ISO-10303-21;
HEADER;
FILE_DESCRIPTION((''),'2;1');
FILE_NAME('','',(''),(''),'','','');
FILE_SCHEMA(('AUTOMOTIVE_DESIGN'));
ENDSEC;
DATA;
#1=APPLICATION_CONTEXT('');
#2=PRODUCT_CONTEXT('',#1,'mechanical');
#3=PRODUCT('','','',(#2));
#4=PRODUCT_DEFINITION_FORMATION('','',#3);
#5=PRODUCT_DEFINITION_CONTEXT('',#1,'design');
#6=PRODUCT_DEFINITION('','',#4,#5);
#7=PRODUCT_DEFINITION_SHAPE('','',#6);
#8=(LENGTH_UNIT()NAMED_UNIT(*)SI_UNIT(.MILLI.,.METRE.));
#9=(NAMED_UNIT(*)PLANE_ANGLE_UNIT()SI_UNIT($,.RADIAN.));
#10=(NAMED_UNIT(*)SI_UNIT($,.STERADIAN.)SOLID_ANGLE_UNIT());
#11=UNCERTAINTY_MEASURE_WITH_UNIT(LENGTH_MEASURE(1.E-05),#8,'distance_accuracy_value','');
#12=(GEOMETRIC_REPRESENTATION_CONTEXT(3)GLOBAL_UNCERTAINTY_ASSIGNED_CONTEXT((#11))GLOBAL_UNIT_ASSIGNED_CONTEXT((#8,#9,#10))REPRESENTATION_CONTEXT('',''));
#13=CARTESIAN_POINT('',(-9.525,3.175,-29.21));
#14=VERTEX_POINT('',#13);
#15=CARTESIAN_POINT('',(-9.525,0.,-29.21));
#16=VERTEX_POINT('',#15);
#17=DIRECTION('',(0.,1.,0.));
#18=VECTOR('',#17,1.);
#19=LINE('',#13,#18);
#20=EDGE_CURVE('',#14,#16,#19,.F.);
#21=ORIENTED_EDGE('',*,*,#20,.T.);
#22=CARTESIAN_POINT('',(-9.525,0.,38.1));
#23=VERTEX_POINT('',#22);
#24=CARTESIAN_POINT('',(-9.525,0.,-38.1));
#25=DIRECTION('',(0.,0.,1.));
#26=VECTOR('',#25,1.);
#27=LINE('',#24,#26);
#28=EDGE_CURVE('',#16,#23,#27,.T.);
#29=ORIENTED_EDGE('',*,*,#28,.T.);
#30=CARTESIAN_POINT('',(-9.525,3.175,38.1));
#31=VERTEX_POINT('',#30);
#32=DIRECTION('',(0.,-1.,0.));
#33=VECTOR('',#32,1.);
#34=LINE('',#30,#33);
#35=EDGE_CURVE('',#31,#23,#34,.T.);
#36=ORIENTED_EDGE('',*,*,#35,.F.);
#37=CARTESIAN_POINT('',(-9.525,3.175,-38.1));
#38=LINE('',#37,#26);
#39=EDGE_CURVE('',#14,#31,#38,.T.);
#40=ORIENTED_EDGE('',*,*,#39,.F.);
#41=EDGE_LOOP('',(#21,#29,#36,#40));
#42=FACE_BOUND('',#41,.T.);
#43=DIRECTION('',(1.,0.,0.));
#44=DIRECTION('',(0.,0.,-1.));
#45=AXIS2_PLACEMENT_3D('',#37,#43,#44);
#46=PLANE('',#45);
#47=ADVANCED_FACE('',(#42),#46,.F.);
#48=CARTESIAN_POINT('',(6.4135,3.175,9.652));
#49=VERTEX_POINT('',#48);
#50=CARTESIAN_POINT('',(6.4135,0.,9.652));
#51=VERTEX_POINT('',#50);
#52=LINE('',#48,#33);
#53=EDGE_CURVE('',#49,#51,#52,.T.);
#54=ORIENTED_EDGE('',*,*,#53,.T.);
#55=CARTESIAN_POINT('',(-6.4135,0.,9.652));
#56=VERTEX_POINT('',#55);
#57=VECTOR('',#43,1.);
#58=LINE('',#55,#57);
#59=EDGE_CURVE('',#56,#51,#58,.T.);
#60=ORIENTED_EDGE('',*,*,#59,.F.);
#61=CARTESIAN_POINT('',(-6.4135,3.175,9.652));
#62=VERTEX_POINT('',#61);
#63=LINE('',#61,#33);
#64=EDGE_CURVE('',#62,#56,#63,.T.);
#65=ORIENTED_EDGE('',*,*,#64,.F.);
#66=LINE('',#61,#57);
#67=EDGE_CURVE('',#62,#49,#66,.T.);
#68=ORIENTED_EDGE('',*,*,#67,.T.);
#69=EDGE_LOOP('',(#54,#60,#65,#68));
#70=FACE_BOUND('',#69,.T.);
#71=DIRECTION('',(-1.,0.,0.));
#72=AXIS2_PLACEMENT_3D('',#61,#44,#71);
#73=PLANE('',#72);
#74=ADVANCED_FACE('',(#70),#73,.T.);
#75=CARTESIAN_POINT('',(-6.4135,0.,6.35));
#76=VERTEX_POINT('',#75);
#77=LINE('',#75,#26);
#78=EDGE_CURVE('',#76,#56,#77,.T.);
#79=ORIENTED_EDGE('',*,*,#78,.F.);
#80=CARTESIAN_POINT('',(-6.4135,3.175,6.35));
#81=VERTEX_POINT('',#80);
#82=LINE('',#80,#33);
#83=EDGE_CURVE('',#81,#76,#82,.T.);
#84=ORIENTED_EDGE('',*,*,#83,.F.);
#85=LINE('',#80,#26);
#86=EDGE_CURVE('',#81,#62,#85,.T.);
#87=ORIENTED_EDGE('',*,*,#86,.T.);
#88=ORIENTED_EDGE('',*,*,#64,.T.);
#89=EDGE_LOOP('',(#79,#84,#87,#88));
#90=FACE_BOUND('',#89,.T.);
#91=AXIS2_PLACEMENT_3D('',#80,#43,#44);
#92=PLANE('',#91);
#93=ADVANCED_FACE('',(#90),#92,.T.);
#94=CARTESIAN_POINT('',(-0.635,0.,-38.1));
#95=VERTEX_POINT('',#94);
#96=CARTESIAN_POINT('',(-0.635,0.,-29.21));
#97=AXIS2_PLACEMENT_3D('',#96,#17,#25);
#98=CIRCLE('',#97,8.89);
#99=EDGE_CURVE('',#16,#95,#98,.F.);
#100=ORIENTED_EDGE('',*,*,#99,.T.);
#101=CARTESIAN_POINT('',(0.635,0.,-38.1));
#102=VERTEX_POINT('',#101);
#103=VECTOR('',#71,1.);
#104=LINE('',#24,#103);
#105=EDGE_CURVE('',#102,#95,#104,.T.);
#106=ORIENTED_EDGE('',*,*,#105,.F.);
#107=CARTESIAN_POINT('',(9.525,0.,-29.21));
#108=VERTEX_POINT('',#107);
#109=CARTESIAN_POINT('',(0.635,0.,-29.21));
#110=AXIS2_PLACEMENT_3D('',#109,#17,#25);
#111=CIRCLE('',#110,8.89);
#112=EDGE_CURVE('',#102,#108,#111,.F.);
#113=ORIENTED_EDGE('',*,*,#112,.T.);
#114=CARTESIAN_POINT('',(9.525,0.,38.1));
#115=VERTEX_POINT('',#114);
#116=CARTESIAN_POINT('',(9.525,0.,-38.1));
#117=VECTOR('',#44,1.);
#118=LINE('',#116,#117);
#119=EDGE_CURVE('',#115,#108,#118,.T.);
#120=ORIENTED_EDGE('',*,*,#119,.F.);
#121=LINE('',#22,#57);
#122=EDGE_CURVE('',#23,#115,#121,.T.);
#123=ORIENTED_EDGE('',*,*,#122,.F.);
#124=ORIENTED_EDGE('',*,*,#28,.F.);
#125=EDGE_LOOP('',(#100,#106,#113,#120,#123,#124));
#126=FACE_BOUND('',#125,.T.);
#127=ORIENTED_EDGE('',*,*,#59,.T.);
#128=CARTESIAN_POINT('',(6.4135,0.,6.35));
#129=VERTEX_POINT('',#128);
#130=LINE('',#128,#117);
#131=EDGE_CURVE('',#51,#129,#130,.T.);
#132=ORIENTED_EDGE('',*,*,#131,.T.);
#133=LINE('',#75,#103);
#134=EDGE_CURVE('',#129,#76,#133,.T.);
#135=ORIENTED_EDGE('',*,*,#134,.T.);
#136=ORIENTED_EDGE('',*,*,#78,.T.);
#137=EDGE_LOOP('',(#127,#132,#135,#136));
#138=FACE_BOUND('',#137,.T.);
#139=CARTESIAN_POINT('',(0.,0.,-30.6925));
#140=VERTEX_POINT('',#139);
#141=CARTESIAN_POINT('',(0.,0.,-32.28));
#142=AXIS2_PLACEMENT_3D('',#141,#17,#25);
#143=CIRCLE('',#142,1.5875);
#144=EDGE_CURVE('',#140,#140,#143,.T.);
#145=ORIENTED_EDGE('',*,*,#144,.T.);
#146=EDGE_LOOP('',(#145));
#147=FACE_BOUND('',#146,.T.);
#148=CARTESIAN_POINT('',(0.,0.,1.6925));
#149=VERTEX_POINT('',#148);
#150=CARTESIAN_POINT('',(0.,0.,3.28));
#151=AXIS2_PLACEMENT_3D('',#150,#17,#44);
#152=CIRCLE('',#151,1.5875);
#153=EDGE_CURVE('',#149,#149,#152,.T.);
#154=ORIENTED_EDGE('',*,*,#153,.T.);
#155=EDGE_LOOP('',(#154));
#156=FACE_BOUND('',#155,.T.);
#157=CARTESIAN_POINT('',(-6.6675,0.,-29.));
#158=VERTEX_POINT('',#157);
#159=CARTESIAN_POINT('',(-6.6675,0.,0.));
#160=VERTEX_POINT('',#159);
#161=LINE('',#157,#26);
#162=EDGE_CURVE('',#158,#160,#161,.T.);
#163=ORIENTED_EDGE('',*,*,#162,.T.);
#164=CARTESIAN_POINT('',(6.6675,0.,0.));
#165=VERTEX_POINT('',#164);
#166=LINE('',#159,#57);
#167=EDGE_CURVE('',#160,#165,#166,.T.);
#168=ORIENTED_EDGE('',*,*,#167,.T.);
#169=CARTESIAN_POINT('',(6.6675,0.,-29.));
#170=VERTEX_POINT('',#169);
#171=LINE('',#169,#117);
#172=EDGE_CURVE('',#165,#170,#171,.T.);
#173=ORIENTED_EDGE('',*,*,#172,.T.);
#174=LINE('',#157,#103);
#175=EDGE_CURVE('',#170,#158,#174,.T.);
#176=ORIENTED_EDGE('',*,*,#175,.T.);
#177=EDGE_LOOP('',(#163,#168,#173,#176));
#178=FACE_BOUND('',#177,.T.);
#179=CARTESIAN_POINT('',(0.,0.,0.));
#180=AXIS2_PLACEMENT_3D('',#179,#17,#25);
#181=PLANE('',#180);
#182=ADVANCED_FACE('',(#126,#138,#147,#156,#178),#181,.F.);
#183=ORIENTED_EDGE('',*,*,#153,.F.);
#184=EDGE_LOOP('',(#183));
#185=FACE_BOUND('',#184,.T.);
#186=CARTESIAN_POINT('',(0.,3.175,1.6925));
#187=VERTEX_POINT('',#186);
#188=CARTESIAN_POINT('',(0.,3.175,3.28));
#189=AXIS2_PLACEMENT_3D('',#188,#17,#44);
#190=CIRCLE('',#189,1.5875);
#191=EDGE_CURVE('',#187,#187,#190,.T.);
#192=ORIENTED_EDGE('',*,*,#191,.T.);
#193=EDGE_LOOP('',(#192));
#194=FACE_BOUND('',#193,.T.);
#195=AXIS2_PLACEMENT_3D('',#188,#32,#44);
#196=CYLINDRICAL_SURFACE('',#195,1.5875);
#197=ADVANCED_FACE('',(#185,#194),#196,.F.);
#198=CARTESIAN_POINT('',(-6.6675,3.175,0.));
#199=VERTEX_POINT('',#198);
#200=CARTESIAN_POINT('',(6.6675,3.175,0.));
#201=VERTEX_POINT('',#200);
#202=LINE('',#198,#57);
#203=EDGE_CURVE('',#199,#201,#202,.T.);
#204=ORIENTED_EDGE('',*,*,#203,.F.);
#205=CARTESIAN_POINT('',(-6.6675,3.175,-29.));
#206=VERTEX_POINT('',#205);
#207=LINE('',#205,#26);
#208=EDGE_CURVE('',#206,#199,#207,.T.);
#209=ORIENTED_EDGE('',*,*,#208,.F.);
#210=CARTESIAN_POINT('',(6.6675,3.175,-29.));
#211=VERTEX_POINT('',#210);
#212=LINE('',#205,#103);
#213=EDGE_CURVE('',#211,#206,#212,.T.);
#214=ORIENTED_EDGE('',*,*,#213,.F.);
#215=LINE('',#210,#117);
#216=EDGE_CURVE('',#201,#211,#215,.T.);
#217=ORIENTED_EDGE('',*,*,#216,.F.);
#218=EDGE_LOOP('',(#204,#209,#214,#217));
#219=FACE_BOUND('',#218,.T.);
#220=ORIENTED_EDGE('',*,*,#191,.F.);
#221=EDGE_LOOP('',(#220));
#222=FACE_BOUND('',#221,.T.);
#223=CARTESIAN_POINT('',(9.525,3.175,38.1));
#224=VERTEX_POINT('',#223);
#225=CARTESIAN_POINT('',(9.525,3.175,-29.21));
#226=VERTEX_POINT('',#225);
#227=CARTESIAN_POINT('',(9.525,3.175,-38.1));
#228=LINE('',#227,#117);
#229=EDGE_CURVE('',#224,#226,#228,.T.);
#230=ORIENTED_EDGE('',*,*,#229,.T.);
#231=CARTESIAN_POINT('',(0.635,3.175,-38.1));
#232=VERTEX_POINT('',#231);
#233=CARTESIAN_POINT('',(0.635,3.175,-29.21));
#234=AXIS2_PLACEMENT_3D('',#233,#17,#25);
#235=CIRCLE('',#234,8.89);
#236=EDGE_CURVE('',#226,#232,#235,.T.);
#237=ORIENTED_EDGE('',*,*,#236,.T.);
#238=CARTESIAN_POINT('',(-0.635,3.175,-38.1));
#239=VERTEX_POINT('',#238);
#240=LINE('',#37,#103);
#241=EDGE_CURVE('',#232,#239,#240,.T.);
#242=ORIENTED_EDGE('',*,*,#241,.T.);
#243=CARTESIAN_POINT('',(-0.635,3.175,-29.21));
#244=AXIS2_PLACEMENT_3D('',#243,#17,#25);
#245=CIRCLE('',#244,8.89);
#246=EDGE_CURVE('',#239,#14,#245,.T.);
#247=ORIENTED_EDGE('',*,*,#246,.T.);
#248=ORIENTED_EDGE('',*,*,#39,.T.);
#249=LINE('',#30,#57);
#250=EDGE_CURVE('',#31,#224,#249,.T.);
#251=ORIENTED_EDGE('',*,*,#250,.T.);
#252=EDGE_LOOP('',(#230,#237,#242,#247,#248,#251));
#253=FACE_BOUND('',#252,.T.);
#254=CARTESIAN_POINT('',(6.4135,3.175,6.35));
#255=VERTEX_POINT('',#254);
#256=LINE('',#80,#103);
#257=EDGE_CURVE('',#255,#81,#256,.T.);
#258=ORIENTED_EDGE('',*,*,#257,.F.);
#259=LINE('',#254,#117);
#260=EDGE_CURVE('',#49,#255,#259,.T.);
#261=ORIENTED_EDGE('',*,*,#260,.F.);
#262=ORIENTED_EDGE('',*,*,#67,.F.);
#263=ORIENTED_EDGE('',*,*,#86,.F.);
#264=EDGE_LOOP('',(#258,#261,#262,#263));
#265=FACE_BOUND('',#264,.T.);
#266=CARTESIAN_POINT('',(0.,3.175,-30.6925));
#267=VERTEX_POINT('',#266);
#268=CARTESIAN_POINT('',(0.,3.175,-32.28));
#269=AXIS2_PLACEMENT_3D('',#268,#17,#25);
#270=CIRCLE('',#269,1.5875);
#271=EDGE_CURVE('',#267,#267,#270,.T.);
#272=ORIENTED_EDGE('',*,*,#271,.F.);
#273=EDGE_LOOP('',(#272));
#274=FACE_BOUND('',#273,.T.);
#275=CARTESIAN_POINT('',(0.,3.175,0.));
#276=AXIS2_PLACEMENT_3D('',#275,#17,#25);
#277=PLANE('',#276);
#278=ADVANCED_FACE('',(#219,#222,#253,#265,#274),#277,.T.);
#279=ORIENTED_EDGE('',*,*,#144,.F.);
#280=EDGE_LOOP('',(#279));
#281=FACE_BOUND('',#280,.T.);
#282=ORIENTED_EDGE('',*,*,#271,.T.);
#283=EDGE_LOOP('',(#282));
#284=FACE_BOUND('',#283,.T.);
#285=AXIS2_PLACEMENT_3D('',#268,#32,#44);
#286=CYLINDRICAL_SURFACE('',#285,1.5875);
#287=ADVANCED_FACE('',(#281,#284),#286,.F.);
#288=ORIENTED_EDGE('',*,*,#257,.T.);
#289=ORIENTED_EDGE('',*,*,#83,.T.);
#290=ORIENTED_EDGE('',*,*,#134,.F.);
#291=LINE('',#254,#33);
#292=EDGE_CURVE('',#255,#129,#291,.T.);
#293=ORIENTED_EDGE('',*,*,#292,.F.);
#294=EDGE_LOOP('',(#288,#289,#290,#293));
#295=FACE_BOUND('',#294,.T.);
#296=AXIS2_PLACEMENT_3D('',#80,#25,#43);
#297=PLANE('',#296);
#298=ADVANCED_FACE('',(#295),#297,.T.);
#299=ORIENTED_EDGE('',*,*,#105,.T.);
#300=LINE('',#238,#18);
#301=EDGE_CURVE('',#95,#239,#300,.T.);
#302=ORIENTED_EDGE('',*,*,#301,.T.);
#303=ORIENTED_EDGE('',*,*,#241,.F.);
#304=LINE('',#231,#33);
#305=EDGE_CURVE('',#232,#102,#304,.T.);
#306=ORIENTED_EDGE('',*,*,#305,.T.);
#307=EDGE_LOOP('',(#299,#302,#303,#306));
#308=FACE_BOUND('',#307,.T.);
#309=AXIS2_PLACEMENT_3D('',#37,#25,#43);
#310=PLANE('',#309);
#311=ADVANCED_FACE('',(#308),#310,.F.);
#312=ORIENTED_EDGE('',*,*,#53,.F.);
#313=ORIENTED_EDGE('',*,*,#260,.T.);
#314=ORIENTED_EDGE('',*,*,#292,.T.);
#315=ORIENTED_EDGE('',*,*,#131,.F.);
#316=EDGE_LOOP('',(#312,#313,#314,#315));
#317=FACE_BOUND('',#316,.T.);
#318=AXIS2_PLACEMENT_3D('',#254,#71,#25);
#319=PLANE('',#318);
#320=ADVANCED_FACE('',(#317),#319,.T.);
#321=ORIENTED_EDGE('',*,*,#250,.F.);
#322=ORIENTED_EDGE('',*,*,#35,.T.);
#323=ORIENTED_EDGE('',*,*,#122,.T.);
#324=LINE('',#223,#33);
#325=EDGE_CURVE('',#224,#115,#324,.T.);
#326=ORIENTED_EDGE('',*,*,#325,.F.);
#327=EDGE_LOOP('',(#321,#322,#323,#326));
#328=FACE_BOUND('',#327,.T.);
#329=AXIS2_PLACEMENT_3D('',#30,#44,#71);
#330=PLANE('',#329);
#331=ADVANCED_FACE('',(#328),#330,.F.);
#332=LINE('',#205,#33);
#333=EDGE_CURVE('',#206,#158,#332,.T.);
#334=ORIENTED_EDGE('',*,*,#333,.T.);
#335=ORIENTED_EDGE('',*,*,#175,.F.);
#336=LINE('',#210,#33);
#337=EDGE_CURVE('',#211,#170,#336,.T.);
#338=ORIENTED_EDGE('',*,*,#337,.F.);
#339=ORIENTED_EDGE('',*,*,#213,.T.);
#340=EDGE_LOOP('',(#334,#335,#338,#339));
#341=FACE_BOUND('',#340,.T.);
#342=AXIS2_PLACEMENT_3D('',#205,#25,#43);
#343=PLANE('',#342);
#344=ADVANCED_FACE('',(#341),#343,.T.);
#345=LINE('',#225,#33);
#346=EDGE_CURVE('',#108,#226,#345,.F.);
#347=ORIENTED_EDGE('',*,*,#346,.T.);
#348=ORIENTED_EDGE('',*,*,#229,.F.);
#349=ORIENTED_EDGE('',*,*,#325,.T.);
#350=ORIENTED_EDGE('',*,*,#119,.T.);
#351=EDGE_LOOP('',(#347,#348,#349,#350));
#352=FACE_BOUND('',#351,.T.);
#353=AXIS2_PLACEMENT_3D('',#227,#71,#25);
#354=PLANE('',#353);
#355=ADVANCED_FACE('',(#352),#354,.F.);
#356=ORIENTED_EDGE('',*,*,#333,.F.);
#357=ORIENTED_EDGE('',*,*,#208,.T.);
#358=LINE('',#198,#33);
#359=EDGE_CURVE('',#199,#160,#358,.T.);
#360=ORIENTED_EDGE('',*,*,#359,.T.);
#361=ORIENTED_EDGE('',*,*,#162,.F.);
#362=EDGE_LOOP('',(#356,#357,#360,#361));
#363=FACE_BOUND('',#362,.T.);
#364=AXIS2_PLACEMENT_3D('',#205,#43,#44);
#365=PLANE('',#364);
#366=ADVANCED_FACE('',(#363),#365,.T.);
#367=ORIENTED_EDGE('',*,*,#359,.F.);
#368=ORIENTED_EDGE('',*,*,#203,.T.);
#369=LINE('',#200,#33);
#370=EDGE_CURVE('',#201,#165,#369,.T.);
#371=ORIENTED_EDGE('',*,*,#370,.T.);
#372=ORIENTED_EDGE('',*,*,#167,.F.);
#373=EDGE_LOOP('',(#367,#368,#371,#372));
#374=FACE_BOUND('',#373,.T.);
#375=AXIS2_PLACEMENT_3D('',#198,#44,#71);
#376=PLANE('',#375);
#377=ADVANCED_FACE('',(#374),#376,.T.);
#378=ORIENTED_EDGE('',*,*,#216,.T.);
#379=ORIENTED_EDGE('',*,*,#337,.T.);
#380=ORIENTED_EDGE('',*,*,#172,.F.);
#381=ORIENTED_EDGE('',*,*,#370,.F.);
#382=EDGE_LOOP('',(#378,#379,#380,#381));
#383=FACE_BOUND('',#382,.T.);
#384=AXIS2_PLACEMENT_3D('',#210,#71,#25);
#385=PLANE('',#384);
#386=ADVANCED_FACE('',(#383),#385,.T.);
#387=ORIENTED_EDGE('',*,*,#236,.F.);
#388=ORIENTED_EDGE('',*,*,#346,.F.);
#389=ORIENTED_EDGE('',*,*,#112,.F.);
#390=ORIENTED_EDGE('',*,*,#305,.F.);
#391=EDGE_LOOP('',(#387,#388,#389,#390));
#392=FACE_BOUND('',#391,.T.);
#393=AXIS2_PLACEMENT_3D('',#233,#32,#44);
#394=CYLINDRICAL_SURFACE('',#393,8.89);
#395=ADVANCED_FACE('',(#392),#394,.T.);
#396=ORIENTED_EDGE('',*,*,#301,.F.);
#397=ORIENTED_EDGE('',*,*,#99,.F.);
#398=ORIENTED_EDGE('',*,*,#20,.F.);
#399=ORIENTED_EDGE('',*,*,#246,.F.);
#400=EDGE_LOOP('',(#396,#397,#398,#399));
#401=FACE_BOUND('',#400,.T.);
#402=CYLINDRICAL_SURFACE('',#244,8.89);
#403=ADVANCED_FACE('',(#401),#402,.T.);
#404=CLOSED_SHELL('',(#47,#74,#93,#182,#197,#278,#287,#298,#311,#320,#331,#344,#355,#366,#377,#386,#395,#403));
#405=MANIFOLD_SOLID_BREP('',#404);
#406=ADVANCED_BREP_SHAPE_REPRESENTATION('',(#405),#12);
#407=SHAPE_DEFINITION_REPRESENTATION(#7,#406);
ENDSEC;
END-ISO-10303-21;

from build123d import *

# Parameters (mm, degrees)
SKETCH1_W           = 19.05
SKETCH1_H           = 76.2
SKETCH1_R           = 1.5875
SKETCH1_W_2         = 13.335
SKETCH1_H_2         = 29
SKETCH1_W_3         = 12.827
SKETCH1_H_3         = 3.302
BOSS_EXTRUDE1_DEPTH = 3.175
FILLET1_R           = 8.89
FILLET2_R           = 8.89


with BuildPart() as part:
    # Sketch1 → Boss-Extrude1 (new body)
    with BuildSketch(Plane(origin=(0, 0, 0), x_dir=(1, 0, 0), z_dir=(0, 1, 0))):
        Rectangle(SKETCH1_W, SKETCH1_H)
        with Locations((0, 32.28)):
            Circle(SKETCH1_R, mode=Mode.SUBTRACT)
        with Locations((0, -3.28)):
            Circle(SKETCH1_R, mode=Mode.SUBTRACT)
        with Locations((0, 14.5)):
            Rectangle(SKETCH1_W_2, SKETCH1_H_2, mode=Mode.SUBTRACT)
        with Locations((0, -8.001)):
            Rectangle(SKETCH1_W_3, SKETCH1_H_3, mode=Mode.SUBTRACT)
    extrude(amount=BOSS_EXTRUDE1_DEPTH)

    # Fillet1
    fillet1_edges = [part.edges().sort_by_distance(p)[0] for p in [
        (9.525, 1.5875, -38.1),
    ]]
    fillet(fillet1_edges, radius=FILLET1_R)

    # Fillet2
    fillet2_edges = [part.edges().sort_by_distance(p)[0] for p in [
        (-9.525, 1.5875, -38.1),
    ]]
    fillet(fillet2_edges, radius=FILLET2_R)


solid = part.part
